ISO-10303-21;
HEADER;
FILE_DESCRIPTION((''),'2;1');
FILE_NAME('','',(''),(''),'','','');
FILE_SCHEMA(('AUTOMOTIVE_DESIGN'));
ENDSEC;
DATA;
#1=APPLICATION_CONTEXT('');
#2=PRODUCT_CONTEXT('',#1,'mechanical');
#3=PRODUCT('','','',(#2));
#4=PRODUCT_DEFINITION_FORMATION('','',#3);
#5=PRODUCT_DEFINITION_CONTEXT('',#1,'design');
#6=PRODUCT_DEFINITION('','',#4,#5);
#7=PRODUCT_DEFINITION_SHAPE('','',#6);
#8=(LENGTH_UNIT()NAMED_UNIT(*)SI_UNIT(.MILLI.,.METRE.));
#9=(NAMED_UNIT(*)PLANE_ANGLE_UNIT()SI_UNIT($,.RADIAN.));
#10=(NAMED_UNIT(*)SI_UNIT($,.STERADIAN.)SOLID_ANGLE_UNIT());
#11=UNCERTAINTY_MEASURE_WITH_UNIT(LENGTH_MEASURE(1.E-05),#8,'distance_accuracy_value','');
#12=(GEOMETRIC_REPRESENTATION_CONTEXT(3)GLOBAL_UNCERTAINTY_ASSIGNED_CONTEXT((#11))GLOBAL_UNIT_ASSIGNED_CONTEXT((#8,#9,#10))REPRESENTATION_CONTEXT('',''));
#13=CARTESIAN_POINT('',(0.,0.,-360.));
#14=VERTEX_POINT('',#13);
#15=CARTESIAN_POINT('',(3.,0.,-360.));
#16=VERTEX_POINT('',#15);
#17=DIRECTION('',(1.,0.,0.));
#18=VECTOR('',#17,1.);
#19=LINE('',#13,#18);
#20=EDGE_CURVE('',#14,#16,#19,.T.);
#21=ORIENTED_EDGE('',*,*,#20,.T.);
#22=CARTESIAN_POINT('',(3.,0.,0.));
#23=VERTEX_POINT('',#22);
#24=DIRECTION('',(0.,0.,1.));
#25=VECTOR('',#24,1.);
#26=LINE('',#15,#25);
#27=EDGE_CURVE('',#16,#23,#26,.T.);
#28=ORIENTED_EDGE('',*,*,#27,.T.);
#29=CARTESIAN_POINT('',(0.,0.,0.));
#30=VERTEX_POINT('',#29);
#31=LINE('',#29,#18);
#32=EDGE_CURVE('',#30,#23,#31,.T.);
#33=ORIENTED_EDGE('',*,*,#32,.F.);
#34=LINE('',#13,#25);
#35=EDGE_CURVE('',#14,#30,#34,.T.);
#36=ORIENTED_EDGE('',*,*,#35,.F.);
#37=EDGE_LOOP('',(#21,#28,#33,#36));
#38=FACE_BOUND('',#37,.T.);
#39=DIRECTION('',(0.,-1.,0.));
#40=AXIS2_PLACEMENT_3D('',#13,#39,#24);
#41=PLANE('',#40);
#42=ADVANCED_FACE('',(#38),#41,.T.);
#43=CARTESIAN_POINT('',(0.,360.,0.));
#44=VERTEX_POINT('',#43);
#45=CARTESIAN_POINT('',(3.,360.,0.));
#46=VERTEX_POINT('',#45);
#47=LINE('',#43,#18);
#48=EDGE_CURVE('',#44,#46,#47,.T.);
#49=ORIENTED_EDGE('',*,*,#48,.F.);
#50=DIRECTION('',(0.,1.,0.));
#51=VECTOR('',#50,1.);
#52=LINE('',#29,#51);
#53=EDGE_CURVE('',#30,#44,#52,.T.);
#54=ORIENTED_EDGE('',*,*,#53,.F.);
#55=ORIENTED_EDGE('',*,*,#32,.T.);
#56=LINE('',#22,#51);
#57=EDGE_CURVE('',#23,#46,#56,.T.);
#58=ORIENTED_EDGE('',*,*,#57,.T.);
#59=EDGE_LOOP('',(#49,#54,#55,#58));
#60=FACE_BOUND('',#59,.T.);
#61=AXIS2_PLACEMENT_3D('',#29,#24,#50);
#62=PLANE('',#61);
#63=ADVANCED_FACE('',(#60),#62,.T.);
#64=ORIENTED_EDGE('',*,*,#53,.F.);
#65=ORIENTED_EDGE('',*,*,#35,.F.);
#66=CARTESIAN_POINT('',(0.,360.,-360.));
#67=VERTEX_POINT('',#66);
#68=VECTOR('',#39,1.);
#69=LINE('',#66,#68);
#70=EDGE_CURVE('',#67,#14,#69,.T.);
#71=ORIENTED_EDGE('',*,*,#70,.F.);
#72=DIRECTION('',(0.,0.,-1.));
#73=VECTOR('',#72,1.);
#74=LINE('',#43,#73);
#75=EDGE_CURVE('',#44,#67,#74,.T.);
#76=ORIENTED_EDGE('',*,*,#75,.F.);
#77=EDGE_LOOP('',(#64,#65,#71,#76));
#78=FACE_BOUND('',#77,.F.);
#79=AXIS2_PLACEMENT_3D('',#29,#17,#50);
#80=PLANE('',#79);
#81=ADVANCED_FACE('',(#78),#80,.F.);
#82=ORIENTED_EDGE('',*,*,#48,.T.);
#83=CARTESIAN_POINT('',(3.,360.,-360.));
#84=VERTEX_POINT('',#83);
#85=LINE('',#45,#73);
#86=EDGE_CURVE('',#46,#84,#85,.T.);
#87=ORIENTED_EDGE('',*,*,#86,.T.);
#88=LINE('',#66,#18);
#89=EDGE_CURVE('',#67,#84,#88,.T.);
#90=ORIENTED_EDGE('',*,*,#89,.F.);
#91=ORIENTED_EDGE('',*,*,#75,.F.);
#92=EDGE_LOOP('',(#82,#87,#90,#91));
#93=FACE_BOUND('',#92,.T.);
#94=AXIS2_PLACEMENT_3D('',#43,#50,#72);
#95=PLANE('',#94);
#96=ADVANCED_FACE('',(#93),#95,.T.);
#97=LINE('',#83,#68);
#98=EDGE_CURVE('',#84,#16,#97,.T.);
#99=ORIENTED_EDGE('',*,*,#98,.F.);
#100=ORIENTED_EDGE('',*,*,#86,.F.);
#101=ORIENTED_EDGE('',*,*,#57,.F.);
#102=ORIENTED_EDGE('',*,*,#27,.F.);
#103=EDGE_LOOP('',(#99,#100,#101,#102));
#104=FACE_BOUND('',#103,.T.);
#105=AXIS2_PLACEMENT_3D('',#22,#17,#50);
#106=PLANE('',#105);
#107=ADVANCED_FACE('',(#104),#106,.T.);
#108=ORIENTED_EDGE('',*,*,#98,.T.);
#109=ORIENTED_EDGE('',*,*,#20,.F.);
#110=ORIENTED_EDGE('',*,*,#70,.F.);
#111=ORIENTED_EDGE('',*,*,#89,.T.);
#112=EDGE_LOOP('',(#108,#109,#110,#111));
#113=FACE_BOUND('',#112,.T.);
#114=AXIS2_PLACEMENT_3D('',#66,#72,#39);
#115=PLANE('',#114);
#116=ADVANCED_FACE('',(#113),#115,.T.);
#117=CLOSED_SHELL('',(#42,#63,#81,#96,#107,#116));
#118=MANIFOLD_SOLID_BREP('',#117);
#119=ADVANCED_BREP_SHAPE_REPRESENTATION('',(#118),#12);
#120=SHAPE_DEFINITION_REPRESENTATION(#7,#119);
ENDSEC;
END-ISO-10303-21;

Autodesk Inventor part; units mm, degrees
ref_plane "YZ Plane" through (0, 0, 0) normal (1, 0, 0) x (0, 1, 0)
ref_plane "XZ Plane" through (0, 0, 0) normal (0, 1, 0) x (-1, 0, 0)
ref_plane "XY Plane" through (0, 0, 0) normal (0, 0, 1) x (1, 0, 0)
sketch "Sketch1" plane through (0, 0, 0) normal (1, 0, 0) x (0, 1, 0)
  line L0 (0, 0) -> (360, 0)
  line L1 (360, 0) -> (360, -360)
  line L2 (360, -360) -> (0, -360)
  line L3 (0, -360) -> (0, 0)
  dimension "d0" = 360
  dimension "d1" = 360
extrude "Extrusion1" add sketch "Sketch1" along normal blind 3
properties part number "Frame Front" material "Polycarbonate, Clear"
